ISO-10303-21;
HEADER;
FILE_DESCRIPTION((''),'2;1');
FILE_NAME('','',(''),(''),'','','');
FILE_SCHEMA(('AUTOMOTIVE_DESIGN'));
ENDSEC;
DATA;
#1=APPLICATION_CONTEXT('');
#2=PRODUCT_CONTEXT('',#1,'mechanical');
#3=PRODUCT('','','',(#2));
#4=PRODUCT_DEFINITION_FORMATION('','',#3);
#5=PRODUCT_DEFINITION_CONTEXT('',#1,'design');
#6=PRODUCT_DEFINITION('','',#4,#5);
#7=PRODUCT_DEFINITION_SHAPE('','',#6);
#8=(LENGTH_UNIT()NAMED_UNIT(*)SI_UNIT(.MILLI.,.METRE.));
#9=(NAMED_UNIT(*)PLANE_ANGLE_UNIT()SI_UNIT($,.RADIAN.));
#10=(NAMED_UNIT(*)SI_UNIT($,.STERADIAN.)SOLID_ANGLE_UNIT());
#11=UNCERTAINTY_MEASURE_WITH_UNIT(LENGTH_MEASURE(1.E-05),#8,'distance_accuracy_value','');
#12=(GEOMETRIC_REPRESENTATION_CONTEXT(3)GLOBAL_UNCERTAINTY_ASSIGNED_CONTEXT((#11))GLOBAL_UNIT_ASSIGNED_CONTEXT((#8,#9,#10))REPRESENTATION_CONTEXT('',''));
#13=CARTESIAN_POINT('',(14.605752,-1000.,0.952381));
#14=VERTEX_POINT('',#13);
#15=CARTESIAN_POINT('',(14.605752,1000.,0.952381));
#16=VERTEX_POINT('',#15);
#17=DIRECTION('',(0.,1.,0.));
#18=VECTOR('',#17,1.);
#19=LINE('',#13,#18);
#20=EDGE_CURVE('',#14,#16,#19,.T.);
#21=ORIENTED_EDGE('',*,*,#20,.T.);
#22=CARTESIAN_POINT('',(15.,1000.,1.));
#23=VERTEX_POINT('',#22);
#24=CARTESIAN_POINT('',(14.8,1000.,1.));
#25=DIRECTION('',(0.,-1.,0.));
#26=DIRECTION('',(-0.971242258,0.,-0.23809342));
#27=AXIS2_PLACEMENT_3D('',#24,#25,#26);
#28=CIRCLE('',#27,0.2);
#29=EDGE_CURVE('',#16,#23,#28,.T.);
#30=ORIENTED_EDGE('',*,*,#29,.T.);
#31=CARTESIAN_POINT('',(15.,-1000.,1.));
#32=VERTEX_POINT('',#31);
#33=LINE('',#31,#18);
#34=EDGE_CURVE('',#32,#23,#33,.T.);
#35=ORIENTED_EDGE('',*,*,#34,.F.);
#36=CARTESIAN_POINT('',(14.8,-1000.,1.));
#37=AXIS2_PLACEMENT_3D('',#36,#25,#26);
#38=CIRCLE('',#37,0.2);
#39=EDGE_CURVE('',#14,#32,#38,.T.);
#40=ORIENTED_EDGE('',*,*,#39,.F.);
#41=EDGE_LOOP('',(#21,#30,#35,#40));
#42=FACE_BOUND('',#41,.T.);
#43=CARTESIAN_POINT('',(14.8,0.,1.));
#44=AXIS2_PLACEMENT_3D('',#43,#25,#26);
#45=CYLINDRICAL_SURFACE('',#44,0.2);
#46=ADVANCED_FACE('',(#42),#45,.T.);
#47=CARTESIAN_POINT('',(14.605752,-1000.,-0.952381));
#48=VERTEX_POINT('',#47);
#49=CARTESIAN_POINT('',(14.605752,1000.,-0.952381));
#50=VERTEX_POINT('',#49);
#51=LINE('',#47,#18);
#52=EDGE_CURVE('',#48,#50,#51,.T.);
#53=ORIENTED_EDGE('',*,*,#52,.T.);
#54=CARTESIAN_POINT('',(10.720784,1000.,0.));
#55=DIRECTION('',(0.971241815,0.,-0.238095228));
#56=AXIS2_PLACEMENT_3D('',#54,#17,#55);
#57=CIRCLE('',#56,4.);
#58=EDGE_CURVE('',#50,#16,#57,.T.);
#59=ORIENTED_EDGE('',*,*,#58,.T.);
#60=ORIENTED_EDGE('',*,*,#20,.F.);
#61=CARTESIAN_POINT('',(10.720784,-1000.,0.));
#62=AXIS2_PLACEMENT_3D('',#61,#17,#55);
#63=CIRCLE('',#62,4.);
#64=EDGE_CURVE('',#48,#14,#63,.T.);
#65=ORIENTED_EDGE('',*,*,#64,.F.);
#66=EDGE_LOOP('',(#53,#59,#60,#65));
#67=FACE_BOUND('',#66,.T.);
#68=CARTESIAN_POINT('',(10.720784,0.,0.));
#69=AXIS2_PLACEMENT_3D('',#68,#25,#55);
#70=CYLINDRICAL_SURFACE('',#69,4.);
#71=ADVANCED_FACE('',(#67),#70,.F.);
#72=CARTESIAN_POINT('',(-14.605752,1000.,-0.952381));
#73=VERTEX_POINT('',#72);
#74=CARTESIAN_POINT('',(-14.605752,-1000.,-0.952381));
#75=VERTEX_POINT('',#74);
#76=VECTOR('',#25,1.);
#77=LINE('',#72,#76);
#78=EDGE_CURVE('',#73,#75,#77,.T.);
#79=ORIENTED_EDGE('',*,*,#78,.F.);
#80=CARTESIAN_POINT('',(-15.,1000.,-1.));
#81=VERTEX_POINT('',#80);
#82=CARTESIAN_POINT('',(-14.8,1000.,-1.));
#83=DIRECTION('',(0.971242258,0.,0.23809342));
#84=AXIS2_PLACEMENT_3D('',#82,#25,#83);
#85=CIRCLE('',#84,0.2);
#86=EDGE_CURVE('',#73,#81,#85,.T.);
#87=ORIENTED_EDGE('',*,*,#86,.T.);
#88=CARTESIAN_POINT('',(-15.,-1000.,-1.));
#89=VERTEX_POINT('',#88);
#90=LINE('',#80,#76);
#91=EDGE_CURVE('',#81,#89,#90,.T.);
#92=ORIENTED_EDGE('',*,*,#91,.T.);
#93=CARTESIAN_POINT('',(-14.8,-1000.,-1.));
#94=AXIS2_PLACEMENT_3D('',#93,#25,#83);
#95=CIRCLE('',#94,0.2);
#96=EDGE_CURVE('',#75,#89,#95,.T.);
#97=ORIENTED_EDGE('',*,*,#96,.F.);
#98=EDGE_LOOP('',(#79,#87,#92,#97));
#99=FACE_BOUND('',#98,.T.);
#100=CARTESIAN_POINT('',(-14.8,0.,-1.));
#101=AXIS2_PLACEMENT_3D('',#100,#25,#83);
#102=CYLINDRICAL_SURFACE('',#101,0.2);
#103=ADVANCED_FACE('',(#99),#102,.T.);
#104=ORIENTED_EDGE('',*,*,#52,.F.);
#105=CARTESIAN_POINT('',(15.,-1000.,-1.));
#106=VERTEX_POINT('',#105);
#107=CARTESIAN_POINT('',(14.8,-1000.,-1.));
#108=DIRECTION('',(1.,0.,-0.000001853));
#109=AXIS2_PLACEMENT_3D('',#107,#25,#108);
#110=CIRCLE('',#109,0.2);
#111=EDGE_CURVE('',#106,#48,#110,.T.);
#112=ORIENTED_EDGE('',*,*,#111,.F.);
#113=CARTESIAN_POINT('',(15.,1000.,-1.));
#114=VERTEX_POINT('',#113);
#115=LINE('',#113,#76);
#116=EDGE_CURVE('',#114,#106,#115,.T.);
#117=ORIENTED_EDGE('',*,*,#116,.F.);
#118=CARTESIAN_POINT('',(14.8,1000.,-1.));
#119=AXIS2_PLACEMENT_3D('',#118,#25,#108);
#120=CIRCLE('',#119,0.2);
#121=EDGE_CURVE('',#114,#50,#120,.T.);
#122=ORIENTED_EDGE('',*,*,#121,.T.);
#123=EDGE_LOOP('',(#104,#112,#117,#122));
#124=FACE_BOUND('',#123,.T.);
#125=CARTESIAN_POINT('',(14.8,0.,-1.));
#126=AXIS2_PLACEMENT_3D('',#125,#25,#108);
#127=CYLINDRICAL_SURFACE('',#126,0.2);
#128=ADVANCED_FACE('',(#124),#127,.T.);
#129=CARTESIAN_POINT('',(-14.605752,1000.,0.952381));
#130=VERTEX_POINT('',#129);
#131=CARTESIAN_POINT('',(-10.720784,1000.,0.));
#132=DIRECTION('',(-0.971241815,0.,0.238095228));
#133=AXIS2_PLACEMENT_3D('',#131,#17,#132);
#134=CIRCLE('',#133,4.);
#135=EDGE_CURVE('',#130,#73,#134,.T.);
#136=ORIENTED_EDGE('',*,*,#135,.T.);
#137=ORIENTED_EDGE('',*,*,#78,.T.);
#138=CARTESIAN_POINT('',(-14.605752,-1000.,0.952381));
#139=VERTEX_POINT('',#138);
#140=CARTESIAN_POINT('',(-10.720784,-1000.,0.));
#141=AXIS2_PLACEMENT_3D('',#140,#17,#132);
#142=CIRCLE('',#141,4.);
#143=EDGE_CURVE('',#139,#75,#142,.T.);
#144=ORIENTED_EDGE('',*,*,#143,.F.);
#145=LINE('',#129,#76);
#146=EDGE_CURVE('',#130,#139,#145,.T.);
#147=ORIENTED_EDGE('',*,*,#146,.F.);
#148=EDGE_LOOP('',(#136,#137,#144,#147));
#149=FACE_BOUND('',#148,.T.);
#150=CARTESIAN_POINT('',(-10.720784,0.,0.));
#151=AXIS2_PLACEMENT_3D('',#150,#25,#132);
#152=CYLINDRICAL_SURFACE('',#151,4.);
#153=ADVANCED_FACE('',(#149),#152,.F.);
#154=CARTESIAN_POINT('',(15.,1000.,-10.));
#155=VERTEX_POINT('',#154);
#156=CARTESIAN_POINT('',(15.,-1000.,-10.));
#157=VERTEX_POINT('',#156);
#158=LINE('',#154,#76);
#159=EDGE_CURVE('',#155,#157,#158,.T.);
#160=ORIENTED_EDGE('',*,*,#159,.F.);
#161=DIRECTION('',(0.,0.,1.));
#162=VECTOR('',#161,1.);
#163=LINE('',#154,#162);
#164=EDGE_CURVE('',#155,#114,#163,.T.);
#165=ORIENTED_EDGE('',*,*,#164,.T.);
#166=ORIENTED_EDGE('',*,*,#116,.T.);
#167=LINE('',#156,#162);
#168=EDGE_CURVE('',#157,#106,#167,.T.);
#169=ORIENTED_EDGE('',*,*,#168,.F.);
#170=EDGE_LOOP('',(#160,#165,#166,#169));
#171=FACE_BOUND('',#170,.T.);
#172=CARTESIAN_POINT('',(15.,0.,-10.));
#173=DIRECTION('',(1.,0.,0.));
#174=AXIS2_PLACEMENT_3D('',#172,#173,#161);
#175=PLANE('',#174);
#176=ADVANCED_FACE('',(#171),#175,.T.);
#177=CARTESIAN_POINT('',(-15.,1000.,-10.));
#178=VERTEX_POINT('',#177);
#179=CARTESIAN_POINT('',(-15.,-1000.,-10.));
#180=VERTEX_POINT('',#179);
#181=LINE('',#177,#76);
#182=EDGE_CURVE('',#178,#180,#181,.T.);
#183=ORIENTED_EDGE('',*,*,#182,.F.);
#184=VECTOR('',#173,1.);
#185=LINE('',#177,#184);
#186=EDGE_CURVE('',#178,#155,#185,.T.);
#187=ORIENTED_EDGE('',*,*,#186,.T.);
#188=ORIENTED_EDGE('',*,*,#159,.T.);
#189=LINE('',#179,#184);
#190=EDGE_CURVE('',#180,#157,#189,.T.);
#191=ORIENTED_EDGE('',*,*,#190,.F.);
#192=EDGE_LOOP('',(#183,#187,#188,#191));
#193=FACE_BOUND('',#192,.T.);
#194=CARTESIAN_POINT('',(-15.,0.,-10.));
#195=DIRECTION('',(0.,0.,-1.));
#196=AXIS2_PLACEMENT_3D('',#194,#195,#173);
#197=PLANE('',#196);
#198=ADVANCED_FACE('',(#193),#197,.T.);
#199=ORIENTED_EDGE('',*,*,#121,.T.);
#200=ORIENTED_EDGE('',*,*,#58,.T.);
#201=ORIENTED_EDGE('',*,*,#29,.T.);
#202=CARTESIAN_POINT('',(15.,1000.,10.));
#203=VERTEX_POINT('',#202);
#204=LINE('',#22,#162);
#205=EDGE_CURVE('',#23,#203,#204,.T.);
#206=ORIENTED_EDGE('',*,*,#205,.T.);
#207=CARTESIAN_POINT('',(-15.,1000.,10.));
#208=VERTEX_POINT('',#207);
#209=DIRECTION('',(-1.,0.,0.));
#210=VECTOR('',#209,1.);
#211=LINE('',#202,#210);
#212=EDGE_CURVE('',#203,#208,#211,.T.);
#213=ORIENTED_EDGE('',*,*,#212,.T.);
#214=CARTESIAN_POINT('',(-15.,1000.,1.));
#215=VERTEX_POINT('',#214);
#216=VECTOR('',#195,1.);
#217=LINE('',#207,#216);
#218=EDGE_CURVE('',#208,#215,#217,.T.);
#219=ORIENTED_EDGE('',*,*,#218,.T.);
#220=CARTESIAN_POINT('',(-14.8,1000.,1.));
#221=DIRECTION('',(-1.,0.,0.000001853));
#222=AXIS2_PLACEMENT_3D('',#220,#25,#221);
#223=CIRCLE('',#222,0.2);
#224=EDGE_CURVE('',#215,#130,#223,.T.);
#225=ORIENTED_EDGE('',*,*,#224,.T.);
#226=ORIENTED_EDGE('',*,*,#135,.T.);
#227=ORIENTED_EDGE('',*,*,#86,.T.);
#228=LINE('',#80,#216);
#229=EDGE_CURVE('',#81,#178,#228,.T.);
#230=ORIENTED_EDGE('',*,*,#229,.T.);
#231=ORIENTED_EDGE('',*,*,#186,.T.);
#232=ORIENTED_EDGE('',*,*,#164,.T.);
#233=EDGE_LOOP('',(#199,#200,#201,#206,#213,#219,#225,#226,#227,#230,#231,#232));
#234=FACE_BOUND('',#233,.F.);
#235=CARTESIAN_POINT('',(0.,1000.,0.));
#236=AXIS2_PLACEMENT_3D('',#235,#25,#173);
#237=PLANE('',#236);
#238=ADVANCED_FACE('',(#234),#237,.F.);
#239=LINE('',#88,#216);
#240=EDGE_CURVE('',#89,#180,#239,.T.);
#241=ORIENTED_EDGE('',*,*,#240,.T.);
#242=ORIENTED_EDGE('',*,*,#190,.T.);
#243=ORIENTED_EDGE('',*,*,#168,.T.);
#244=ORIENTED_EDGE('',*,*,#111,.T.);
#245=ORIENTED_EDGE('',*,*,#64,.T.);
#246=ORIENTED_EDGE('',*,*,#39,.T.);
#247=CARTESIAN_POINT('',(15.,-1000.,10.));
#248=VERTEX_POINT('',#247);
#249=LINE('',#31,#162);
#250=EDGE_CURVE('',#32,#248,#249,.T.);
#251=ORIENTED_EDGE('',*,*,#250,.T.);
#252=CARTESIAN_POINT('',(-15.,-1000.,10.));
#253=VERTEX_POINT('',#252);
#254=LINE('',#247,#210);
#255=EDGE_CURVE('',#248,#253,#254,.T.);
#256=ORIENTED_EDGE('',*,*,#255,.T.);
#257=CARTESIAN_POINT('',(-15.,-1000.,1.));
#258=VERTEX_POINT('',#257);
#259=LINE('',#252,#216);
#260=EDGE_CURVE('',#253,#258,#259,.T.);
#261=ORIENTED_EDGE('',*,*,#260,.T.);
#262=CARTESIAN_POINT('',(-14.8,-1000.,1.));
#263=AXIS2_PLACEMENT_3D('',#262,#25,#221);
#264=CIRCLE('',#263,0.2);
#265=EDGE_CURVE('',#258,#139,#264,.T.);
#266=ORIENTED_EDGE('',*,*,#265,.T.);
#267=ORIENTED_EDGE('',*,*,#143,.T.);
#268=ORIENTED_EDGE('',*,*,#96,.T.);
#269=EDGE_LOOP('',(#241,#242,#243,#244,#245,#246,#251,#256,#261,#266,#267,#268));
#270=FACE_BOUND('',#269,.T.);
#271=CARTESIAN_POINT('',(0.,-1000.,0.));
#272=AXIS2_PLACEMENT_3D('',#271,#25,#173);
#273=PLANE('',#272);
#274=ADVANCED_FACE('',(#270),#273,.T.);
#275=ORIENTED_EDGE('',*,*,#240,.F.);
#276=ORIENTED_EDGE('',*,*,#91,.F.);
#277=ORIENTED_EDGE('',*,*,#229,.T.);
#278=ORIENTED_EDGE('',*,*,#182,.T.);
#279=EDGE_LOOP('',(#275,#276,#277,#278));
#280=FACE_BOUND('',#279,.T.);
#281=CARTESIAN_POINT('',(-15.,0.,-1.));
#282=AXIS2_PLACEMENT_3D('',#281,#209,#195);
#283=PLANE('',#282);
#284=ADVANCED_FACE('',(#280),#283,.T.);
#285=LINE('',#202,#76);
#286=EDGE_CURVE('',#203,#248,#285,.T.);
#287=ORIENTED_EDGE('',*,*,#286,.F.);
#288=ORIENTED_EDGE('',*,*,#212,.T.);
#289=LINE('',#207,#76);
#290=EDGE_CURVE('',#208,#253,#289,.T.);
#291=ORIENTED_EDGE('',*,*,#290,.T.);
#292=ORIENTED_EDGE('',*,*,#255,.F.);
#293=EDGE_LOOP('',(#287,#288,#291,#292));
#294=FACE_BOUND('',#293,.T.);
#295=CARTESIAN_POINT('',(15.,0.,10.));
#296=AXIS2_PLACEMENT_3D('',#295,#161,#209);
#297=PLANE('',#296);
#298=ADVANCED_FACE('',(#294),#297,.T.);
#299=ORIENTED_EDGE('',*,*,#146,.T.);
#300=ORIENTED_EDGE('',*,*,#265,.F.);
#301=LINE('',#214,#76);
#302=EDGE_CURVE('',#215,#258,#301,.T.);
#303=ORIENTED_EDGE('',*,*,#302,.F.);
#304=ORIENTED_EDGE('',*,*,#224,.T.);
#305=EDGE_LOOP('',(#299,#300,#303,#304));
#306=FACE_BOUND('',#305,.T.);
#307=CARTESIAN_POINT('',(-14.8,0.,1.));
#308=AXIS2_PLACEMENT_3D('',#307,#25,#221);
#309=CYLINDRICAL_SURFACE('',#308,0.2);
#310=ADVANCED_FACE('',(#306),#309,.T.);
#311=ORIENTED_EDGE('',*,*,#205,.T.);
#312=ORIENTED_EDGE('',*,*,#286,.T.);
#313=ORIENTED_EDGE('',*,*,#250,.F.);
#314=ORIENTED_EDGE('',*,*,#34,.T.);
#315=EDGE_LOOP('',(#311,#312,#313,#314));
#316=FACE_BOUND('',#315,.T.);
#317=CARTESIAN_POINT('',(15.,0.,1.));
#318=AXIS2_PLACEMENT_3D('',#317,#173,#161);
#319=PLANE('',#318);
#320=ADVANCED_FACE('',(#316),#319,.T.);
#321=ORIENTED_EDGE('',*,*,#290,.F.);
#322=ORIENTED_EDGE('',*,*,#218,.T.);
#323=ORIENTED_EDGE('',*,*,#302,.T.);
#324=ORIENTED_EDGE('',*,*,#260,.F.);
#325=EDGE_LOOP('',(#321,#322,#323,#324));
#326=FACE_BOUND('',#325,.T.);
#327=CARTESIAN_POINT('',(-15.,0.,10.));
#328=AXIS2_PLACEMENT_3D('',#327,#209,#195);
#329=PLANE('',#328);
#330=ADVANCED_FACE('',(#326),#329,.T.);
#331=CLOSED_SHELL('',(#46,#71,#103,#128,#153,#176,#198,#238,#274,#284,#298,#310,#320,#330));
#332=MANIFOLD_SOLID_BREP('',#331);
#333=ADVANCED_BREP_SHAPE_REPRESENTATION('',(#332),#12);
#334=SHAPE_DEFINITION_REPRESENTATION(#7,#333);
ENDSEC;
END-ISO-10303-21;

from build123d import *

# Parameters (mm, degrees)
F1_DEPTH = 1000


with BuildPart() as f1:
    # F0 (on Front) → F1 (new body, symmetric)
    with BuildSketch(Plane.XZ):
        with BuildLine():
            Line((15, 1), (15, 10))
            Line((15, 10), (-15, 10))
            Line((-15, 10), (-15, 1))
            ThreePointArc((-15, 1), (-14.823983, 0.801443), (-14.605752, 0.952381))
            ThreePointArc((-14.605752, 0.952381), (-6.720784, 0), (-14.605752, -0.952381))
            ThreePointArc((-14.605752, -0.952381), (-14.823983, -0.801443), (-15, -1))
            Line((-15, -1), (-15, -10))
            Line((-15, -10), (15, -10))
            Line((15, -10), (15, -1))
            ThreePointArc((15, -1), (14.823983, -0.801443), (14.605752, -0.952381))
            ThreePointArc((14.605752, -0.952381), (6.720784, 0), (14.605752, 0.952381))
            ThreePointArc((14.605752, 0.952381), (14.823983, 0.801443), (15, 1))
        make_face()
    extrude(amount=F1_DEPTH, both=True)


solid = f1.part
